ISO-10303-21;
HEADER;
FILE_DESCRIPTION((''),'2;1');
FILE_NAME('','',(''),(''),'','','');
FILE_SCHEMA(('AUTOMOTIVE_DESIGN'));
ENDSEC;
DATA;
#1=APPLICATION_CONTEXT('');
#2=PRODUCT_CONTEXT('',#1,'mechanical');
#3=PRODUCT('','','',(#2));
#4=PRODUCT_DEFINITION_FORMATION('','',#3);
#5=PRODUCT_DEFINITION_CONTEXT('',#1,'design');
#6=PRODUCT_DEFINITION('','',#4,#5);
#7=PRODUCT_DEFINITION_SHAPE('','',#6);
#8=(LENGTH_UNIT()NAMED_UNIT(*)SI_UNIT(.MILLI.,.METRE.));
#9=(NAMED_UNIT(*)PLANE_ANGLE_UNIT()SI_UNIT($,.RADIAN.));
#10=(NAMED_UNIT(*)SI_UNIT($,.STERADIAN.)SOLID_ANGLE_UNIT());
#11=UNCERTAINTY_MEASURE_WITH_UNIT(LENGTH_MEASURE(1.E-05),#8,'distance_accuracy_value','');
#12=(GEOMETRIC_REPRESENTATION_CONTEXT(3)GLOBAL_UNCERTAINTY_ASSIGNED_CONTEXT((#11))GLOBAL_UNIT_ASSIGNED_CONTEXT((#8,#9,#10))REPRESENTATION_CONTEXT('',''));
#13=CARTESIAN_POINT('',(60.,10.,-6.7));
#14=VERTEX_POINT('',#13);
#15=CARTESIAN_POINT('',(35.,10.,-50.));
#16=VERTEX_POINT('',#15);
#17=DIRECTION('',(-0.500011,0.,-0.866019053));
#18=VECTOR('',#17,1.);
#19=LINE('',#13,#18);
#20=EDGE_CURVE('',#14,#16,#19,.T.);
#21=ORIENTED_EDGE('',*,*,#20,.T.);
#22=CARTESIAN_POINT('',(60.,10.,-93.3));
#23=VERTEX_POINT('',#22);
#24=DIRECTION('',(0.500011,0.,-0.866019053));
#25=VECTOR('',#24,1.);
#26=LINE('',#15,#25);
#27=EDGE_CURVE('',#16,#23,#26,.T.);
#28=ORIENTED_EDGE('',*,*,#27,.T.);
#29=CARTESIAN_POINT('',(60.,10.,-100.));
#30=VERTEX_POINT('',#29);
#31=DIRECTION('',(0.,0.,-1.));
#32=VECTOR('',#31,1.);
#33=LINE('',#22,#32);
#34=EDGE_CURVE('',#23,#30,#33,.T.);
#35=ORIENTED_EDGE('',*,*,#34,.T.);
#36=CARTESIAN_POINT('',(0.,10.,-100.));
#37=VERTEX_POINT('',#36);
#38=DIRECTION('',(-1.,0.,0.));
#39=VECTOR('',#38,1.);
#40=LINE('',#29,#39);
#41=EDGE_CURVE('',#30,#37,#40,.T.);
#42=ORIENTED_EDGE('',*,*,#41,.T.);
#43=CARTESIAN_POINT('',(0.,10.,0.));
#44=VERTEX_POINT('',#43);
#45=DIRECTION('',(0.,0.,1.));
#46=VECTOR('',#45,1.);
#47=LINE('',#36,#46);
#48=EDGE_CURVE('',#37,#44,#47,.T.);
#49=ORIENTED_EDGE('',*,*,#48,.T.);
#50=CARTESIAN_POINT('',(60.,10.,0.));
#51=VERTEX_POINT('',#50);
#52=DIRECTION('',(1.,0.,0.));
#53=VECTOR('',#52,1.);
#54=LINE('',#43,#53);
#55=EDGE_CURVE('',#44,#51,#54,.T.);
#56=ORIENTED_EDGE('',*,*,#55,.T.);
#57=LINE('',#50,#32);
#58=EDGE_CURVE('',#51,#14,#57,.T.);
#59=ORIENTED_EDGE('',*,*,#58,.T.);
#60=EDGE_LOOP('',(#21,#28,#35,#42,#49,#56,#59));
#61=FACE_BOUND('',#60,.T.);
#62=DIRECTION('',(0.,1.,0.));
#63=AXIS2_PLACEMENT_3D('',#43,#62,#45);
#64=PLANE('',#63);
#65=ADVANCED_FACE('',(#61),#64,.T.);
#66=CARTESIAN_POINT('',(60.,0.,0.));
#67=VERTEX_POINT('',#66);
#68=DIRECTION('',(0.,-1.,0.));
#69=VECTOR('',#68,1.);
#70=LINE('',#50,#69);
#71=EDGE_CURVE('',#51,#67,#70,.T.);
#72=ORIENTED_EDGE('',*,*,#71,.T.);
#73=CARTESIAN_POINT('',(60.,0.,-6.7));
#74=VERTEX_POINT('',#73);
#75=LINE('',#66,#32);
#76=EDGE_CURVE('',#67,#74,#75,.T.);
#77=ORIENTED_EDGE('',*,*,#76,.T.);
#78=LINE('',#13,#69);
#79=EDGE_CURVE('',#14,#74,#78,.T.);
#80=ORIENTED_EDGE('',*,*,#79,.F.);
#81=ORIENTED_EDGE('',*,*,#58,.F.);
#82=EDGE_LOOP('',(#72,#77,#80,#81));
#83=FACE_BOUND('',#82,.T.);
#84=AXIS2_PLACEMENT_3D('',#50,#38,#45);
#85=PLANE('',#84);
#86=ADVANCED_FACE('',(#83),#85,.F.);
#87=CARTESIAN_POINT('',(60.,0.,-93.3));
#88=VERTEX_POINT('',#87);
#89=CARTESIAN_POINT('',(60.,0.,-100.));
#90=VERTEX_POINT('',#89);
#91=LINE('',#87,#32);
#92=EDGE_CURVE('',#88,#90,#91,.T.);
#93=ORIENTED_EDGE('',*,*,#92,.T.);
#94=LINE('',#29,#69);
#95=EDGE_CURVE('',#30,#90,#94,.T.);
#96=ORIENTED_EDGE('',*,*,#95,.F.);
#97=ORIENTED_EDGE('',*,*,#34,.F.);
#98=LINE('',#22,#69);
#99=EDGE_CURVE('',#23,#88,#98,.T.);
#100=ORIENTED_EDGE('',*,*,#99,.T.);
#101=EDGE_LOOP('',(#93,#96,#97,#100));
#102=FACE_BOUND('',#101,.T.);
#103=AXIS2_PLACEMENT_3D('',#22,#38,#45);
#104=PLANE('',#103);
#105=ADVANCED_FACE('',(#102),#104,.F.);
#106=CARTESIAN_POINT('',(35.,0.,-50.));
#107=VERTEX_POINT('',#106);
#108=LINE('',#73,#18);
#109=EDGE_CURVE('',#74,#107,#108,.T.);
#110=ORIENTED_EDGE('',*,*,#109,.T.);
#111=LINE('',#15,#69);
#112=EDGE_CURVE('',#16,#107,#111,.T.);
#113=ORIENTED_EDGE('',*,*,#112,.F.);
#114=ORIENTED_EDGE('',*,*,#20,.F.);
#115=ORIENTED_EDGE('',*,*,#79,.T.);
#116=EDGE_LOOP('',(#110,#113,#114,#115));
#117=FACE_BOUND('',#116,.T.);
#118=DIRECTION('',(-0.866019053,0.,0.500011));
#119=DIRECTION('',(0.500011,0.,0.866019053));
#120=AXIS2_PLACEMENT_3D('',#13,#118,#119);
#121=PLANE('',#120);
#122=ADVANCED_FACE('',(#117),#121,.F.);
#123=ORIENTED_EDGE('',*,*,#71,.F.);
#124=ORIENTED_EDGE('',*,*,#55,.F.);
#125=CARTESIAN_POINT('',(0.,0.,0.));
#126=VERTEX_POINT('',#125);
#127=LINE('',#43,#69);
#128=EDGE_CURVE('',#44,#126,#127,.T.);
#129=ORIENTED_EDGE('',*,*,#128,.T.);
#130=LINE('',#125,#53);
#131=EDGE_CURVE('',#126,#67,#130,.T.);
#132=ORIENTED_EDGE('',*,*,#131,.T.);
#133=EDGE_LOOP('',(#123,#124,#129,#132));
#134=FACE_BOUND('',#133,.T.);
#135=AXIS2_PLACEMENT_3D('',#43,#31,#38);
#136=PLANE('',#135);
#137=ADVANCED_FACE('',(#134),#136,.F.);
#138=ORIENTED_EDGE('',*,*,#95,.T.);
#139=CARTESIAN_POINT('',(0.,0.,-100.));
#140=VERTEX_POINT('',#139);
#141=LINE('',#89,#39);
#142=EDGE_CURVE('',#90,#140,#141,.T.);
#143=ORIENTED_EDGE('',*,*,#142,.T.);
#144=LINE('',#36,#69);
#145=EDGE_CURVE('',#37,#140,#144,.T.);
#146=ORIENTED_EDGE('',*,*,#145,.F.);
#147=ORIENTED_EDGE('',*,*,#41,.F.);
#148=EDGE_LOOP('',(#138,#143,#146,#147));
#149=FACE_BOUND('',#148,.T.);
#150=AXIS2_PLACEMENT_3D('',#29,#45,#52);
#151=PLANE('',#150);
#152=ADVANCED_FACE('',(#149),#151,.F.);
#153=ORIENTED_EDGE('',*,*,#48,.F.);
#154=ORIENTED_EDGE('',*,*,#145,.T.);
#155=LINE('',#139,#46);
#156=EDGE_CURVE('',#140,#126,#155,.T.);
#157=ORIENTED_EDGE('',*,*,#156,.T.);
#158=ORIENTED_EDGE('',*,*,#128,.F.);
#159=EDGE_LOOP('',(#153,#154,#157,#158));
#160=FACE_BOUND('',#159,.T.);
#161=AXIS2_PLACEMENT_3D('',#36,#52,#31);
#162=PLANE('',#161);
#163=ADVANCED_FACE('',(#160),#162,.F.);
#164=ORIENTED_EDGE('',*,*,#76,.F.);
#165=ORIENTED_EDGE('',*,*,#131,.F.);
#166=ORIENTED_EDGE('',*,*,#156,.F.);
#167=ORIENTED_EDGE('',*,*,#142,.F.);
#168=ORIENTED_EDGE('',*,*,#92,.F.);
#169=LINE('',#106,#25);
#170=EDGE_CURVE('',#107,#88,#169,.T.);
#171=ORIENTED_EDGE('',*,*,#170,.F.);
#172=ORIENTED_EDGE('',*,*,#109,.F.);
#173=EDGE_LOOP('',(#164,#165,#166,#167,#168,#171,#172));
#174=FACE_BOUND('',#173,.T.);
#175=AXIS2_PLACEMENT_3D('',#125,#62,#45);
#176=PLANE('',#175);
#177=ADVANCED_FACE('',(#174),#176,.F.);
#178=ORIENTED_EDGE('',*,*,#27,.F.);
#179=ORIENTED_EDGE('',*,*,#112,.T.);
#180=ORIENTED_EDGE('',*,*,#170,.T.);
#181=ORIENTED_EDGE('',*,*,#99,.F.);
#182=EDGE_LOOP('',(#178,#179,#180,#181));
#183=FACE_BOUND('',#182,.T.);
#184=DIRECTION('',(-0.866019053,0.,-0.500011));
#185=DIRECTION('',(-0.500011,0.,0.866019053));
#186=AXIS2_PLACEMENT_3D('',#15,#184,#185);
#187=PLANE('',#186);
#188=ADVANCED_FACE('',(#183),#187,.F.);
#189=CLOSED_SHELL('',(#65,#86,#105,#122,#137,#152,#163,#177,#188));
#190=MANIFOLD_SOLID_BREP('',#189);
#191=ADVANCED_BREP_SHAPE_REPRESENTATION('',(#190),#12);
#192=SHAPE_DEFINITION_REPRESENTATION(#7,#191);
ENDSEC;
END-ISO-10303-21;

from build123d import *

# Parameters (mm, degrees)
BOSS_EXTRUDE1_DEPTH = 10


with BuildPart() as part:
    # Sketch1 → Boss-Extrude1 (new body)
    with BuildSketch(Plane(origin=(0, 0, 0), x_dir=(1, 0, 0), z_dir=(0, 1, 0))):
        Polygon((0, 0), (60, 0), (60, 6.7), (35, 50), (60, 93.3), (60, 100), (0, 100), align=None)
    extrude(amount=BOSS_EXTRUDE1_DEPTH)


solid = part.part
